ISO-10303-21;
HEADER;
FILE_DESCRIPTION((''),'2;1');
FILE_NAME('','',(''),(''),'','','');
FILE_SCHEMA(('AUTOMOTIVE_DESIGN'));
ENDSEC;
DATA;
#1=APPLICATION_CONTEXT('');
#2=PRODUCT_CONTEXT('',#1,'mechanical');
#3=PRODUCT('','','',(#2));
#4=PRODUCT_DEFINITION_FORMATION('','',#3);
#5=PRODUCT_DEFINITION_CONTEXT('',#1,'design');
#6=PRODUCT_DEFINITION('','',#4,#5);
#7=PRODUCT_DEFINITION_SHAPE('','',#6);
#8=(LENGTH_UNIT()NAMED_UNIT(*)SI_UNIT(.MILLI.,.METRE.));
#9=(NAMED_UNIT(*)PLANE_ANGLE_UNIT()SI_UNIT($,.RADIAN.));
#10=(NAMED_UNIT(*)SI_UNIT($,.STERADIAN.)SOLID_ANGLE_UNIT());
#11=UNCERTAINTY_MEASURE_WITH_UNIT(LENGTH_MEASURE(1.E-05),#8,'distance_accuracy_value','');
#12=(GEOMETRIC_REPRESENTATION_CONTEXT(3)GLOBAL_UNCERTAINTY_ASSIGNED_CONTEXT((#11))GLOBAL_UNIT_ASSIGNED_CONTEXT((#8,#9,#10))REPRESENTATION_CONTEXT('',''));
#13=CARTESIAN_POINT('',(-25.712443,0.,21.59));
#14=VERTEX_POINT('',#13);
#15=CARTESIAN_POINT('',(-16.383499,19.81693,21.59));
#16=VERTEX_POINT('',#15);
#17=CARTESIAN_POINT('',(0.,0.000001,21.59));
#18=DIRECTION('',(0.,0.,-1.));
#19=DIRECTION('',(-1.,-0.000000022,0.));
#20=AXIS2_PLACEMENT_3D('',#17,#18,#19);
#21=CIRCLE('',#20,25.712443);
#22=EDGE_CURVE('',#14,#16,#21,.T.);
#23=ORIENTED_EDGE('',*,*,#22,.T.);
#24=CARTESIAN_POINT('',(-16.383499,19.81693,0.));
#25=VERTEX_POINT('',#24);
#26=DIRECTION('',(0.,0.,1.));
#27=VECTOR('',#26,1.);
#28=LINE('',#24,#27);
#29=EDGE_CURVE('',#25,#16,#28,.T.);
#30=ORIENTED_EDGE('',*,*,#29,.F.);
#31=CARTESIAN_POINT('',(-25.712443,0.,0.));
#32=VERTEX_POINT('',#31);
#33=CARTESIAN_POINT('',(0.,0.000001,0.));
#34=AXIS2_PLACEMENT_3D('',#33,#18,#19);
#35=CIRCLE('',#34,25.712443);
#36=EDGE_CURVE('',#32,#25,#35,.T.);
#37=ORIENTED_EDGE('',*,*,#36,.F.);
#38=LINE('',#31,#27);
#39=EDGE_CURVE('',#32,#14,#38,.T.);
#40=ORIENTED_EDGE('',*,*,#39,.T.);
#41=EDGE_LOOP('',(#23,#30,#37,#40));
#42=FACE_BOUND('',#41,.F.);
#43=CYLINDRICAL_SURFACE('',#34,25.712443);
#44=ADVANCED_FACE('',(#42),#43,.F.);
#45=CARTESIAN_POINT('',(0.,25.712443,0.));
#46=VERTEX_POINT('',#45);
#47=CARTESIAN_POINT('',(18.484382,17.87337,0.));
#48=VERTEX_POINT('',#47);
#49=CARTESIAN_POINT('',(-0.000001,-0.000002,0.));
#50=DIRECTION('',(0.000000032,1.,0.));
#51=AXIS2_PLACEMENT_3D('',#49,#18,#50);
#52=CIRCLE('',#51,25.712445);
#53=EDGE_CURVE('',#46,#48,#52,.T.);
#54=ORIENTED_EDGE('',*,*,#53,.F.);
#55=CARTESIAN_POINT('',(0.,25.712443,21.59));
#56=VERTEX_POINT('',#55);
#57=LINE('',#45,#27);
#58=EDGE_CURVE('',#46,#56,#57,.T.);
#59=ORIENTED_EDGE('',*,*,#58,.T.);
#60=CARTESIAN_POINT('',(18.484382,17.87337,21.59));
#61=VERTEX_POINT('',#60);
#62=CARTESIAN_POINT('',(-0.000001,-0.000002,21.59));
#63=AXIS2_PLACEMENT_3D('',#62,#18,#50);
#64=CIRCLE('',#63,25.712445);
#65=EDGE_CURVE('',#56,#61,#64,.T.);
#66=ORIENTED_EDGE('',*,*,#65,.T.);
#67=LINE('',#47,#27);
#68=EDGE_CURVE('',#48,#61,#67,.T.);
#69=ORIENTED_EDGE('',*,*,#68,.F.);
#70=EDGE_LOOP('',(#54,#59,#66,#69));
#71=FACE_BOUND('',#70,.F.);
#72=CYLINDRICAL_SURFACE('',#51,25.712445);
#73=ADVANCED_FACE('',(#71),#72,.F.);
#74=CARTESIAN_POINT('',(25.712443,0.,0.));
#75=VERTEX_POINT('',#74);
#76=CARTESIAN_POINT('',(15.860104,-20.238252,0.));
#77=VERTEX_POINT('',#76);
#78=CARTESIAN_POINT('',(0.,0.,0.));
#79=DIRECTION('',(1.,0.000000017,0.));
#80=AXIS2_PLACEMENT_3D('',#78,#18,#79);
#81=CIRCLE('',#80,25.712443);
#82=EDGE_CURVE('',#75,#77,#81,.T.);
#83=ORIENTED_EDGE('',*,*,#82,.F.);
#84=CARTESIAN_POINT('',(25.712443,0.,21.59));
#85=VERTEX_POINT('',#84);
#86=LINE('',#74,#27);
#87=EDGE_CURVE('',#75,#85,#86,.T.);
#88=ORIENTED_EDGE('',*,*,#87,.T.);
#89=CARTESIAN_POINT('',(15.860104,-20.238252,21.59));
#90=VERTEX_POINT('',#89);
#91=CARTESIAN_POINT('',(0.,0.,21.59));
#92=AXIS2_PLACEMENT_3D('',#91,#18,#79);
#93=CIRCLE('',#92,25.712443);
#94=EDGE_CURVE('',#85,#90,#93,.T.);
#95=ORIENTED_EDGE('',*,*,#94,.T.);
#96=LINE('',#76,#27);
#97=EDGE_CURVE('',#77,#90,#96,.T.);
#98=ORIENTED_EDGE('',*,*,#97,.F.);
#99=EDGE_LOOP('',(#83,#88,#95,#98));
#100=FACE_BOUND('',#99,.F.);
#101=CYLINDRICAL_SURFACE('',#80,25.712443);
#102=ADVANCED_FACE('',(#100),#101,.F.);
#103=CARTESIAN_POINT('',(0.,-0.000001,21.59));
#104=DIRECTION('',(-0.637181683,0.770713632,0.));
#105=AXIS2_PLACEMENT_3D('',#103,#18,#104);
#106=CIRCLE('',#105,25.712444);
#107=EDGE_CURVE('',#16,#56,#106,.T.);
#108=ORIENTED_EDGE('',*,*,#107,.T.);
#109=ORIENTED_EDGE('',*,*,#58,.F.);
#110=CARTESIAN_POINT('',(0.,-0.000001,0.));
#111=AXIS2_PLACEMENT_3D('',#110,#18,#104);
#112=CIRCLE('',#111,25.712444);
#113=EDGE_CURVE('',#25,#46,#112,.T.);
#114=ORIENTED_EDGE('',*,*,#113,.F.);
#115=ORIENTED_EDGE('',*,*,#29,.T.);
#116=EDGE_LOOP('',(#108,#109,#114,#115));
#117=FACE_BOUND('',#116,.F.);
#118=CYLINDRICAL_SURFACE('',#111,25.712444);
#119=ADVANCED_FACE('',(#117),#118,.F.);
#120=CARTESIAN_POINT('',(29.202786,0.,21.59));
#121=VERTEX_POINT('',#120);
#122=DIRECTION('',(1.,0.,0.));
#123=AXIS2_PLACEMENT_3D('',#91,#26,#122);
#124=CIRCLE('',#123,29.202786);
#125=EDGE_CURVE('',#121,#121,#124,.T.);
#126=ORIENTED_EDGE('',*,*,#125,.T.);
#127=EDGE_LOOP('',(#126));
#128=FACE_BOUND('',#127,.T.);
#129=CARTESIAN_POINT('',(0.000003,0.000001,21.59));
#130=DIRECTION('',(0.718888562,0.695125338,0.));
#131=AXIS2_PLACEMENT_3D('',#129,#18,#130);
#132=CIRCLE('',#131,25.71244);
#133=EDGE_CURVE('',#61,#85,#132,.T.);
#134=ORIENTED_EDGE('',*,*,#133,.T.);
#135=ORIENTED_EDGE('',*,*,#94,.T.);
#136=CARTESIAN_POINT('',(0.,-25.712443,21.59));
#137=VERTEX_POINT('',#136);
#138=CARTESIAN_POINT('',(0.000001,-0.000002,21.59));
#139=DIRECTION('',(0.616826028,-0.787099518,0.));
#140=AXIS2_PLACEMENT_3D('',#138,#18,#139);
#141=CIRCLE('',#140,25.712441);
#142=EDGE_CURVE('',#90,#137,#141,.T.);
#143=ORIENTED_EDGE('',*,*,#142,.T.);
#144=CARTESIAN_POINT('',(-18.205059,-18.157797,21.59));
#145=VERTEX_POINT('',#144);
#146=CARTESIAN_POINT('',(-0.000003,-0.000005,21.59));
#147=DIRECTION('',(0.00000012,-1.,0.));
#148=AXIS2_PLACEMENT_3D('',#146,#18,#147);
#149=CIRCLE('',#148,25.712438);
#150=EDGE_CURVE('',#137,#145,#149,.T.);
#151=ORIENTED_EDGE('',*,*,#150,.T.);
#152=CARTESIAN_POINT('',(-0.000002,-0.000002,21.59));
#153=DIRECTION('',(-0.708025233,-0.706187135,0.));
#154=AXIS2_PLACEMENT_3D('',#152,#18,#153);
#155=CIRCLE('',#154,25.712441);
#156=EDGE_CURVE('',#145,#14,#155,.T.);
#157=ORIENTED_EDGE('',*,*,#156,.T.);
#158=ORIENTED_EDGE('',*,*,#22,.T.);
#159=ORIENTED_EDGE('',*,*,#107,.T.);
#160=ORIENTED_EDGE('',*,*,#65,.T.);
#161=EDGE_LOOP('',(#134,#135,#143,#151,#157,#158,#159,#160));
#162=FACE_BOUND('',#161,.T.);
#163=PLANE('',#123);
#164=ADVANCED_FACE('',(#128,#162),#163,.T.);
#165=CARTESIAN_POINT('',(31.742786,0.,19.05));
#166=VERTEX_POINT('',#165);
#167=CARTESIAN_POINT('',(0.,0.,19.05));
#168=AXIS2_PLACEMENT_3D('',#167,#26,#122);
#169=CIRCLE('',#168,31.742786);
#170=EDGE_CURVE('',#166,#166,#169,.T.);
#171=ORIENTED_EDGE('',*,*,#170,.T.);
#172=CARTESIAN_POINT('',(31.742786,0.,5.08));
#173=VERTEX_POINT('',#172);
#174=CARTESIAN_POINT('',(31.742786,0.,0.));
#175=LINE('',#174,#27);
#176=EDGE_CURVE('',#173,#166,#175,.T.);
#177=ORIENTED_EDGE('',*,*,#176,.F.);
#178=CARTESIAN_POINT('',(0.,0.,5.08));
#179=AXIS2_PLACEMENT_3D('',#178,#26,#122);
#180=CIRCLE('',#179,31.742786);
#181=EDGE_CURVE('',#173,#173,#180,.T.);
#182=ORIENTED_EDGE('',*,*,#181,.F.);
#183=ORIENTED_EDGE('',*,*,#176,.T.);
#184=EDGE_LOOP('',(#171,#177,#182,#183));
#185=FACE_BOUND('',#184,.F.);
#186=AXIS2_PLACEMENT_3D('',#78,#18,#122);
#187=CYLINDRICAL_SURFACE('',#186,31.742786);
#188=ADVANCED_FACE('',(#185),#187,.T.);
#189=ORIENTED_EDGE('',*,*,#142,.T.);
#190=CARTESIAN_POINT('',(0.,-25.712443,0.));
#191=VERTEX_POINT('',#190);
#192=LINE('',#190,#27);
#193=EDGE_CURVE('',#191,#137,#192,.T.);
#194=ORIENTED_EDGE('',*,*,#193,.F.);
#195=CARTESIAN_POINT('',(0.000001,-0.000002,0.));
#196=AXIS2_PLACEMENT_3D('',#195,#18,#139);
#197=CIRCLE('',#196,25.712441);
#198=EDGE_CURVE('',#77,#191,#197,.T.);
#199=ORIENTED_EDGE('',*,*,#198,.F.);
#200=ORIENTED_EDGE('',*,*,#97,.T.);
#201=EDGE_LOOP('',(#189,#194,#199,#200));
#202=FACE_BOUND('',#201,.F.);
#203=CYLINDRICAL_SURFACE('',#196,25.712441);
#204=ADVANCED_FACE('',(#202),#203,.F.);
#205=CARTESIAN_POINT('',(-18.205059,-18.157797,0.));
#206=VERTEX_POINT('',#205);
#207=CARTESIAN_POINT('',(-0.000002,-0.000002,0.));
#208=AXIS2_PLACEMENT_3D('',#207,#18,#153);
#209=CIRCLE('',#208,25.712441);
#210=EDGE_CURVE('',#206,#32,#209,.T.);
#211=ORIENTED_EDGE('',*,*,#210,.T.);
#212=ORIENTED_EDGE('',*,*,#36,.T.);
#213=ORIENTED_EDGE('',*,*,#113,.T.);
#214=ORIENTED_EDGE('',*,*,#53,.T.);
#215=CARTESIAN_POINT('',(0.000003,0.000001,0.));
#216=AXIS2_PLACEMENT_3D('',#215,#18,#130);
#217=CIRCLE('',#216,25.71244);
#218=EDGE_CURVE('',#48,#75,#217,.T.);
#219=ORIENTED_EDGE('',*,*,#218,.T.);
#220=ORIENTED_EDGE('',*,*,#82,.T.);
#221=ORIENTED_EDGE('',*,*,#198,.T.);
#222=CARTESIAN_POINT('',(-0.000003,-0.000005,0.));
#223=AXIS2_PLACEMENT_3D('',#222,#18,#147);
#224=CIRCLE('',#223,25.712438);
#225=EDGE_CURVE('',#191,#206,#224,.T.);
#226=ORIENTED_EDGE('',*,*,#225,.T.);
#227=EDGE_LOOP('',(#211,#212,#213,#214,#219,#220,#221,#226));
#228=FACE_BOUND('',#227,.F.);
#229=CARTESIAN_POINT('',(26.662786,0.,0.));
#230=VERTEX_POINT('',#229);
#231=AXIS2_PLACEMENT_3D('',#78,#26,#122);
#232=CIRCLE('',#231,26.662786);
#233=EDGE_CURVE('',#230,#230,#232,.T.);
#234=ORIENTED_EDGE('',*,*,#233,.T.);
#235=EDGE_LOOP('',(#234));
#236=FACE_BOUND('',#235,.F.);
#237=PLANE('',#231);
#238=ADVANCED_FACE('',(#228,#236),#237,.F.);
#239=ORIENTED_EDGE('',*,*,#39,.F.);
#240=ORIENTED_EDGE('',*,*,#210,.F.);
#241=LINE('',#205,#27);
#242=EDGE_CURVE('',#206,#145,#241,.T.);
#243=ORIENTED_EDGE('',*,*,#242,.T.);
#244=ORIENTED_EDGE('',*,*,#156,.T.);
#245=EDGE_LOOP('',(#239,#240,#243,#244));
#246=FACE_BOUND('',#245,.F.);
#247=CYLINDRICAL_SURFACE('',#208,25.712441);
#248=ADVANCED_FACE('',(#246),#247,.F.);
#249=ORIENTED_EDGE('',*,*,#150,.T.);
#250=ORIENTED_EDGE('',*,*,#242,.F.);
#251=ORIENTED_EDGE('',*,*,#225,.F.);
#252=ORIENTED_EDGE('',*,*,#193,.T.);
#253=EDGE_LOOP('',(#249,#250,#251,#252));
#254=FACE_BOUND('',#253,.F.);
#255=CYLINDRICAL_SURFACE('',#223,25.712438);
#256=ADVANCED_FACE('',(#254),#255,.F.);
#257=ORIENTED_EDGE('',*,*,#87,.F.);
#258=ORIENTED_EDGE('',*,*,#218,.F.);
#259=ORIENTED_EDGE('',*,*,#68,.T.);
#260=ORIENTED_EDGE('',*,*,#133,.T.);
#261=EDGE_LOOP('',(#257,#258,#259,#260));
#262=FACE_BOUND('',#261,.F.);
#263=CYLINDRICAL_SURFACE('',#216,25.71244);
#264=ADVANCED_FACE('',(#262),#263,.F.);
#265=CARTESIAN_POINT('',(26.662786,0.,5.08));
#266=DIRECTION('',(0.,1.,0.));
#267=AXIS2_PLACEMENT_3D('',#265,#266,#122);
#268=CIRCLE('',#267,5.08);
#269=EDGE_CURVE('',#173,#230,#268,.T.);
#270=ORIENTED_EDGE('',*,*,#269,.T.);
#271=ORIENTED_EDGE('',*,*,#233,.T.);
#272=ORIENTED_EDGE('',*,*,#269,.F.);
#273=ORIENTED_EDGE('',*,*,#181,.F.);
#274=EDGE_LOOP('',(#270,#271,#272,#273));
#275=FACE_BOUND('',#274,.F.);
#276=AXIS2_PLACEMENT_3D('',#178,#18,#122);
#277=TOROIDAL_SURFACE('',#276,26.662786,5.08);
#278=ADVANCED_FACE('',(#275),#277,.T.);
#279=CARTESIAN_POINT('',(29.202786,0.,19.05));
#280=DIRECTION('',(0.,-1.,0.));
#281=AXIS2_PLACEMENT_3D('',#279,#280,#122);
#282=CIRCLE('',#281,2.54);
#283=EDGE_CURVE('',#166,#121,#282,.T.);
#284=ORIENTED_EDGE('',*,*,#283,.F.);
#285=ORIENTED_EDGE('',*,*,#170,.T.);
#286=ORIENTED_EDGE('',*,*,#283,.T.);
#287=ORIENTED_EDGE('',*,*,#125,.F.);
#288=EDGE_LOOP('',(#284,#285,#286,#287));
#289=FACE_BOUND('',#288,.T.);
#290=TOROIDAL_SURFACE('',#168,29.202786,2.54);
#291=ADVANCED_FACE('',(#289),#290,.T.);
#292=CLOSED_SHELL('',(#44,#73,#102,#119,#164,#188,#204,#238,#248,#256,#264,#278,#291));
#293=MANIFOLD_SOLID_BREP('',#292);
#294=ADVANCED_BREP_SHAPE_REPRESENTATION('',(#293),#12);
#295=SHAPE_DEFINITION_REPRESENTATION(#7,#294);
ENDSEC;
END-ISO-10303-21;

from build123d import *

# Parameters (mm, degrees)
F0_R     = 31.742786
F1_DEPTH = 21.59
F2_R     = 5.08
F3_R     = 2.54


with BuildPart() as f1:
    # F0 (on Top) → F1 (new body)
    with BuildSketch(Plane.XY):
        Circle(F0_R)
        with BuildLine():
            ThreePointArc((18.484382, 17.87337), (23.837034, 9.63979), (25.712443, 0))
            ThreePointArc((25.712443, 0), (23.118518, -11.254504), (15.860104, -20.238252))
            ThreePointArc((15.860104, -20.238252), (8.389125, -24.305397), (0, -25.712443))
            ThreePointArc((0, -25.712443), (-9.855162, -23.748801), (-18.205059, -18.157797))
            ThreePointArc((-18.205059, -18.157797), (-23.76159, -9.824286), (-25.712443, 0))
            ThreePointArc((-25.712443, 0), (-23.263593, 10.951483), (-16.383499, 19.81693))
            ThreePointArc((-16.383499, 19.81693), (-8.705977, 24.193712), (0, 25.712443))
            ThreePointArc((0, 25.712443), (10.038967, 23.671689), (18.484382, 17.87337))
        make_face(mode=Mode.SUBTRACT)
    extrude(amount=F1_DEPTH)

    # F2
    f2_edges = [f1.edges().sort_by_distance(p)[0] for p in [
        (-31.742786, 0, 0),
    ]]
    fillet(f2_edges, radius=F2_R)

    # F3
    f3_edges = [f1.edges().sort_by_distance(p)[0] for p in [
        (-31.742786, 0, 21.59),
    ]]
    fillet(f3_edges, radius=F3_R)


solid = f1.part
